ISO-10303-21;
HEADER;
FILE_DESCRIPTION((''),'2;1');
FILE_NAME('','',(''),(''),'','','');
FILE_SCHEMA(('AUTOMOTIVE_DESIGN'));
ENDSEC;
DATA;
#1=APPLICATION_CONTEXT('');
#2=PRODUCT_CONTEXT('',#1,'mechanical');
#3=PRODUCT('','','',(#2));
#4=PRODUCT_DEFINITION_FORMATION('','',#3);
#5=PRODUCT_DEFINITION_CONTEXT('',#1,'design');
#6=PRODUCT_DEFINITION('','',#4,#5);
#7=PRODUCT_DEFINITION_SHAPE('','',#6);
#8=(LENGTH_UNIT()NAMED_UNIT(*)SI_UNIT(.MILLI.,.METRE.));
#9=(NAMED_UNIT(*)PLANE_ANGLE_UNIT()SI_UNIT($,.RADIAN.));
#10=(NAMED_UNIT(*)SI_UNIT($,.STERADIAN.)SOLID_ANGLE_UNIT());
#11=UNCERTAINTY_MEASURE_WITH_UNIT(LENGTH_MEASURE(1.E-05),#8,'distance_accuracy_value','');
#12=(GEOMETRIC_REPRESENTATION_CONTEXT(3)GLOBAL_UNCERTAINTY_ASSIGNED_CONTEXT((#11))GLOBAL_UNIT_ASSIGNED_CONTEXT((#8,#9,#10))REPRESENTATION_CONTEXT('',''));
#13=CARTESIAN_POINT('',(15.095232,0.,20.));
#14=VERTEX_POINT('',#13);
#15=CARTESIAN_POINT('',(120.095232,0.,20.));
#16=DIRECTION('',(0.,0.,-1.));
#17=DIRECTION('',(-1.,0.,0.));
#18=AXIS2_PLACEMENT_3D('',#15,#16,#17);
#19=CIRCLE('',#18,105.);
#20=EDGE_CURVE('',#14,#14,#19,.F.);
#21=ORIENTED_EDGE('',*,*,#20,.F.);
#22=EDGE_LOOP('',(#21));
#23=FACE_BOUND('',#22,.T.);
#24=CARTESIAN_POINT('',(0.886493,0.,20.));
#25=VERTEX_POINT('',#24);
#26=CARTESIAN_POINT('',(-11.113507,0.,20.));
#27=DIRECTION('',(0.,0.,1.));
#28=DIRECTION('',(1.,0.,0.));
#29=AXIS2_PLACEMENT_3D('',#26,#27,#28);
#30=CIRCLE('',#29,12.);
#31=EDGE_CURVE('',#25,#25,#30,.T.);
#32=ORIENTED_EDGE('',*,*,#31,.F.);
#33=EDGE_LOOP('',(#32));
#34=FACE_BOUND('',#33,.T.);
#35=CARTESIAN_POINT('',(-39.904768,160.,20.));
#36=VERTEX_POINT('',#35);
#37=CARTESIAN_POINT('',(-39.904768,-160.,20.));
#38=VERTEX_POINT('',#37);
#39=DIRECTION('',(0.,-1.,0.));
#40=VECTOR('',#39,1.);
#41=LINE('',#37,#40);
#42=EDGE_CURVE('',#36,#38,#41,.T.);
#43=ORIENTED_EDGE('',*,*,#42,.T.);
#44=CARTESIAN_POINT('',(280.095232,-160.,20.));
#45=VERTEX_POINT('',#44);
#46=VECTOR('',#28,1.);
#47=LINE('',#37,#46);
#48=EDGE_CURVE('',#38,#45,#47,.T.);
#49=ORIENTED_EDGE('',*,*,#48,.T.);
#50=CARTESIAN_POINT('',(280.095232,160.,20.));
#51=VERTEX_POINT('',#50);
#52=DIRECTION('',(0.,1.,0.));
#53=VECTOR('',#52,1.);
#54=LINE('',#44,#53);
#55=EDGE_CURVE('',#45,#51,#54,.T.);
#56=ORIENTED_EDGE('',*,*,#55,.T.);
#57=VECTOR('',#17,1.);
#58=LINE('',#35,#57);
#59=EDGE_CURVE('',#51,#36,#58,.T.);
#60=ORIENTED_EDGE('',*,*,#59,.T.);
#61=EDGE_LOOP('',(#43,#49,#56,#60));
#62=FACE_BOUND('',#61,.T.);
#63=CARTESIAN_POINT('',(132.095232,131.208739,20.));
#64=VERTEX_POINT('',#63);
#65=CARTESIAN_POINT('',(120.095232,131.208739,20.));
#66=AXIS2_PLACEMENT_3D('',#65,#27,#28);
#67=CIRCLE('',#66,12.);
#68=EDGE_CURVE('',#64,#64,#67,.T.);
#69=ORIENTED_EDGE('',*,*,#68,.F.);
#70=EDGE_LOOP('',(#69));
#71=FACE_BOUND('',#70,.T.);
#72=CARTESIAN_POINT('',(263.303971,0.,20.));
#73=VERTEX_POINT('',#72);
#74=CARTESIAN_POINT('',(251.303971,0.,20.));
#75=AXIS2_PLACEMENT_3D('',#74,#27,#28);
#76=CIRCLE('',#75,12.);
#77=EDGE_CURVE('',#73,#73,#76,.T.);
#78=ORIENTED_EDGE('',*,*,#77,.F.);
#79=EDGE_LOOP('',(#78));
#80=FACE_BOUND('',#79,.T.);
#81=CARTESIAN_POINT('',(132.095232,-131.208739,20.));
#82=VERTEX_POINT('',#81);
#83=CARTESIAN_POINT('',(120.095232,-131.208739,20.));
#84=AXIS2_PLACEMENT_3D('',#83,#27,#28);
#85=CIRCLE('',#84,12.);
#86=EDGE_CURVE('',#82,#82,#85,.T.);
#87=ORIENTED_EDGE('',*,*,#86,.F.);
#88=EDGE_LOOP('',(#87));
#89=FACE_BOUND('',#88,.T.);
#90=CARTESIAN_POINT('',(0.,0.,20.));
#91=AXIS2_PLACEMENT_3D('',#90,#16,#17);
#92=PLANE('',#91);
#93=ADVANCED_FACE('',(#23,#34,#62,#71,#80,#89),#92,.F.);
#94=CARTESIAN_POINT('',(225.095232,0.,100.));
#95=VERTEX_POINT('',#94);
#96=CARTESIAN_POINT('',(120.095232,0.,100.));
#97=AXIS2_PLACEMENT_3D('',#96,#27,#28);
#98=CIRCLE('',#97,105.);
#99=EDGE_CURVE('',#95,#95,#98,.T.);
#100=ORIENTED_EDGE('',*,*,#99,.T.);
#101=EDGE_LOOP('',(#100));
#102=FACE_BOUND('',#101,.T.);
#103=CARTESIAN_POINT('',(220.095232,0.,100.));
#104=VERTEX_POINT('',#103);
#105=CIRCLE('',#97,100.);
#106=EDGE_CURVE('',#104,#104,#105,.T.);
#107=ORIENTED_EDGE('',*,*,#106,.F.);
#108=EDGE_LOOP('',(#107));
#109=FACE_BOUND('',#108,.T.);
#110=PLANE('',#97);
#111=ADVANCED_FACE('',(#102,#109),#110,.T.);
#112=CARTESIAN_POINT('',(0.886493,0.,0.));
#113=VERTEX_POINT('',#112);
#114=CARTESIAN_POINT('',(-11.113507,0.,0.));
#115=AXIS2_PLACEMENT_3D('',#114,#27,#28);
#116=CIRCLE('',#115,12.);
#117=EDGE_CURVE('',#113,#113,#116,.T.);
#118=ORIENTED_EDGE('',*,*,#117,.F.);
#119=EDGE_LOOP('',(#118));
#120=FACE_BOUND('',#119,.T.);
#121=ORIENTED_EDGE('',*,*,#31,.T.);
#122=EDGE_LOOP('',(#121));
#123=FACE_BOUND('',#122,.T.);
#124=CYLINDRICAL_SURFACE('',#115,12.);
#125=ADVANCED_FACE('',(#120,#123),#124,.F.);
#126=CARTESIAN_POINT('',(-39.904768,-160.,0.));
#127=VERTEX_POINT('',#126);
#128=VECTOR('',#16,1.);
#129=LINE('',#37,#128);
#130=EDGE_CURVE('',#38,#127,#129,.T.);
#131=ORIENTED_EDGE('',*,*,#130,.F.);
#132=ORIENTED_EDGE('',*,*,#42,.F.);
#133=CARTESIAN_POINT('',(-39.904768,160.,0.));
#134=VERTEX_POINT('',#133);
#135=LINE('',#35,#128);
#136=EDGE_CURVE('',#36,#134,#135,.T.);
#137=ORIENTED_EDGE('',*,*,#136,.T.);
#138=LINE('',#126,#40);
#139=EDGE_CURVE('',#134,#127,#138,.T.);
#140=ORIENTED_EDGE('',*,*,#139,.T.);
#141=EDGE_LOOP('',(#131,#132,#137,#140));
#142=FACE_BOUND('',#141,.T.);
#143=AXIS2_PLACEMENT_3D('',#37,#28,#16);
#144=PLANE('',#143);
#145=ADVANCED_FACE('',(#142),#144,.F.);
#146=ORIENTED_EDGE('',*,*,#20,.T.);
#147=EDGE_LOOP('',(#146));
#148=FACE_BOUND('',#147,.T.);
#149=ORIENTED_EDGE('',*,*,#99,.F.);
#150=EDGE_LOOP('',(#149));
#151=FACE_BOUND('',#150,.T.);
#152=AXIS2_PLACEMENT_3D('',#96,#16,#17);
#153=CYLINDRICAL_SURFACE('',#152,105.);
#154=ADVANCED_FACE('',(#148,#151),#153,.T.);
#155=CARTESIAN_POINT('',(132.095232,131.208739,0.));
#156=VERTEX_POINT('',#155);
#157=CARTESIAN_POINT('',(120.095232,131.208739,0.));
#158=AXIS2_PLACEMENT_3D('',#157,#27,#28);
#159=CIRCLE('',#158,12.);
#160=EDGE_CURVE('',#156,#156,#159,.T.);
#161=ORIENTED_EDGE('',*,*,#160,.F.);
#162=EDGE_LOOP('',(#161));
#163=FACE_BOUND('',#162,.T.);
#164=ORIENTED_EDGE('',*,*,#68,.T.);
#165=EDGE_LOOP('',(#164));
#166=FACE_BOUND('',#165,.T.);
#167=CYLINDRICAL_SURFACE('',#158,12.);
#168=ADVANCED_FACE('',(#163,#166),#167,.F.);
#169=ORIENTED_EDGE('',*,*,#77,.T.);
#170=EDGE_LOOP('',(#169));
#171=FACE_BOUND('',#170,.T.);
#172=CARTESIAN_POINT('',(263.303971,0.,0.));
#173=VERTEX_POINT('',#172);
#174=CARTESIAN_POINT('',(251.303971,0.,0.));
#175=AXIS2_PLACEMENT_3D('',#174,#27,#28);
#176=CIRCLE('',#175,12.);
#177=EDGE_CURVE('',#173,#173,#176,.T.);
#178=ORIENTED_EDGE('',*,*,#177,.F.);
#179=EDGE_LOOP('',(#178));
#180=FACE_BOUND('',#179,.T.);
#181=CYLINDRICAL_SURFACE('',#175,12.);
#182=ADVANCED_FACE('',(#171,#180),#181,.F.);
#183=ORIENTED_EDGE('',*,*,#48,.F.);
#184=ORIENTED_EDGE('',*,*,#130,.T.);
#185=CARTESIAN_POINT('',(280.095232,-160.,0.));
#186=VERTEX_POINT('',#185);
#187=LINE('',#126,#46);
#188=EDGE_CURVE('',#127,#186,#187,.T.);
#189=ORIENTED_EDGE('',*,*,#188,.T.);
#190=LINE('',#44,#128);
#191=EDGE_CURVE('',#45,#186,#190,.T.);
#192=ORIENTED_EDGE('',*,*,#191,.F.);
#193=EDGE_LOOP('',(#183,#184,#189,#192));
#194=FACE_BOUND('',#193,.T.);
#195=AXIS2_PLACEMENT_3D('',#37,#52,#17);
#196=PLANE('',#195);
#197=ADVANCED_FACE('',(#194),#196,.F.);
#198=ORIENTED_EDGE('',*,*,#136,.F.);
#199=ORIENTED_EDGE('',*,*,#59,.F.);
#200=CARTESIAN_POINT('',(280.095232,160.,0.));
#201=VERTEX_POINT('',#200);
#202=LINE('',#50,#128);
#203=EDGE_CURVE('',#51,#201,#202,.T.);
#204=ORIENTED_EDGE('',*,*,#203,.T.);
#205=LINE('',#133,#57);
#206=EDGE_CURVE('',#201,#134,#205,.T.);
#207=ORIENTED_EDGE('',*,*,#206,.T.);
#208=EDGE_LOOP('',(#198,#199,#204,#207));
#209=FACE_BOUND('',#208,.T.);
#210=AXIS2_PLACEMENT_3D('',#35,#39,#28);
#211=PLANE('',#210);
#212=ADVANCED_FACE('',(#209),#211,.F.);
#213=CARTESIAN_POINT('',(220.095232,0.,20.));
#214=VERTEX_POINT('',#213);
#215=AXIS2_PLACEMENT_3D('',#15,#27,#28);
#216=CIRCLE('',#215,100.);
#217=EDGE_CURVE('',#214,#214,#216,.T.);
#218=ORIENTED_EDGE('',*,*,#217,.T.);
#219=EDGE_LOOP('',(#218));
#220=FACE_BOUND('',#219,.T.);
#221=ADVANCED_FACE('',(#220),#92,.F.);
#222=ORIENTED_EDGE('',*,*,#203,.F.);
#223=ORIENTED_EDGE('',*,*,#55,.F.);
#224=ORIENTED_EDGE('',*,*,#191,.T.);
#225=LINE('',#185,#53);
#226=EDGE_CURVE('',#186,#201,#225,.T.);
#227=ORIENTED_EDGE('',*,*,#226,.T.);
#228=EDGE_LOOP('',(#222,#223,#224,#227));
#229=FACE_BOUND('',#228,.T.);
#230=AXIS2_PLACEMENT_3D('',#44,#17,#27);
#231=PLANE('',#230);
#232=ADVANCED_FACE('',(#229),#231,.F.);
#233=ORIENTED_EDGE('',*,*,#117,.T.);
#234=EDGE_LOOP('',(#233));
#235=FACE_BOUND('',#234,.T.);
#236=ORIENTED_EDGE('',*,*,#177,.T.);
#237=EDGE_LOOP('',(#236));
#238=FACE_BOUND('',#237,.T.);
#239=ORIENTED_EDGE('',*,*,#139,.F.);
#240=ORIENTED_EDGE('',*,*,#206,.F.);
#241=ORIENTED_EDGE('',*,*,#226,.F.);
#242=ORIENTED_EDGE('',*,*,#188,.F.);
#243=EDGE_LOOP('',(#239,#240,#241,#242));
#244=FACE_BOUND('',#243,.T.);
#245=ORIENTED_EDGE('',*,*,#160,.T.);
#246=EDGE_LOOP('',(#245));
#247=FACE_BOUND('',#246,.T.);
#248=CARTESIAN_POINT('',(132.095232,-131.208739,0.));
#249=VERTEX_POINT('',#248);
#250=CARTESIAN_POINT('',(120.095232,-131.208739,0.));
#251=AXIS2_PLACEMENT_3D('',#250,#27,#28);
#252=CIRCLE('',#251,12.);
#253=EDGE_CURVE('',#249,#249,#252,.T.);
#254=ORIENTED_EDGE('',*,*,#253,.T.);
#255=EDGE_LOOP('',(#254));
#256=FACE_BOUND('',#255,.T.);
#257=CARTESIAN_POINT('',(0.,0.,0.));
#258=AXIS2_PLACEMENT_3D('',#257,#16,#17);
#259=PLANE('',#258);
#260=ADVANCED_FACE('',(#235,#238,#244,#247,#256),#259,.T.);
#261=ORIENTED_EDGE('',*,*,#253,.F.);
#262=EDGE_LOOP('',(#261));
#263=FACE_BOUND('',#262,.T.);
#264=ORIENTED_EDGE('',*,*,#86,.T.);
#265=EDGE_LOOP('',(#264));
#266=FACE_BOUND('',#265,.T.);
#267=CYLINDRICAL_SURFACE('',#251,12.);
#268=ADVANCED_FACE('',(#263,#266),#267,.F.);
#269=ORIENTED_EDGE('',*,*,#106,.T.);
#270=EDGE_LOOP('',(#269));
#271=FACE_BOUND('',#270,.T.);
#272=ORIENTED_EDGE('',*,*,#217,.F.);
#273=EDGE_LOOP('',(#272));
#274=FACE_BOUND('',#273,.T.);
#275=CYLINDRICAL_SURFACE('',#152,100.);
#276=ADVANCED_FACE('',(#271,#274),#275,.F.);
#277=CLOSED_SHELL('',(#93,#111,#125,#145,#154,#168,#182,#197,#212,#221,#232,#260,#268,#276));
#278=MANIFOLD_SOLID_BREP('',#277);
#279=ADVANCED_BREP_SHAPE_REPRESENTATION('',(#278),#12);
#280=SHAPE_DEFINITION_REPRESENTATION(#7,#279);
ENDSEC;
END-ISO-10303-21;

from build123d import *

# Parameters (mm, degrees)
SKETCH1_W           = 320
SKETCH1_H           = 320
BOSS_EXTRUDE1_DEPTH = 20
SKETCH2_R           = 105
SKETCH2_R_2         = 100
BOSS_EXTRUDE2_DEPTH = 80
SKETCH4_R           = 12
CUT_EXTRUDE1_DEPTH  = 333.345210486


with BuildPart() as part:
    # Sketch1 → Boss-Extrude1 (new body)
    with BuildSketch(Plane.XY):
        with Locations((120.0952319, 0)):
            Rectangle(SKETCH1_W, SKETCH1_H)
    extrude(amount=BOSS_EXTRUDE1_DEPTH)

    # Sketch2 → Boss-Extrude2 (add)
    with BuildSketch(Plane.XY.offset(20)):
        with Locations(Location((120.0952319, 0, 0), (0, 0, 180))):
            Circle(SKETCH2_R)
        with Locations((120.0952319, 0)):
            Circle(SKETCH2_R_2, mode=Mode.SUBTRACT)
    extrude(amount=BOSS_EXTRUDE2_DEPTH)

    # Sketch4 → Cut-Extrude1 (cut, through all)
    with BuildSketch(Plane.XY.offset(20)):
        with Locations((120.0952319, 131.208738881)):
            Circle(SKETCH4_R)
        with Locations((251.303970781, 0)):
            Circle(SKETCH4_R)
        with Locations((120.0952319, -131.208738881)):
            Circle(SKETCH4_R)
        with Locations((-11.113506981, 0)):
            Circle(SKETCH4_R)
    extrude(amount=-CUT_EXTRUDE1_DEPTH, mode=Mode.SUBTRACT)


solid = part.part
